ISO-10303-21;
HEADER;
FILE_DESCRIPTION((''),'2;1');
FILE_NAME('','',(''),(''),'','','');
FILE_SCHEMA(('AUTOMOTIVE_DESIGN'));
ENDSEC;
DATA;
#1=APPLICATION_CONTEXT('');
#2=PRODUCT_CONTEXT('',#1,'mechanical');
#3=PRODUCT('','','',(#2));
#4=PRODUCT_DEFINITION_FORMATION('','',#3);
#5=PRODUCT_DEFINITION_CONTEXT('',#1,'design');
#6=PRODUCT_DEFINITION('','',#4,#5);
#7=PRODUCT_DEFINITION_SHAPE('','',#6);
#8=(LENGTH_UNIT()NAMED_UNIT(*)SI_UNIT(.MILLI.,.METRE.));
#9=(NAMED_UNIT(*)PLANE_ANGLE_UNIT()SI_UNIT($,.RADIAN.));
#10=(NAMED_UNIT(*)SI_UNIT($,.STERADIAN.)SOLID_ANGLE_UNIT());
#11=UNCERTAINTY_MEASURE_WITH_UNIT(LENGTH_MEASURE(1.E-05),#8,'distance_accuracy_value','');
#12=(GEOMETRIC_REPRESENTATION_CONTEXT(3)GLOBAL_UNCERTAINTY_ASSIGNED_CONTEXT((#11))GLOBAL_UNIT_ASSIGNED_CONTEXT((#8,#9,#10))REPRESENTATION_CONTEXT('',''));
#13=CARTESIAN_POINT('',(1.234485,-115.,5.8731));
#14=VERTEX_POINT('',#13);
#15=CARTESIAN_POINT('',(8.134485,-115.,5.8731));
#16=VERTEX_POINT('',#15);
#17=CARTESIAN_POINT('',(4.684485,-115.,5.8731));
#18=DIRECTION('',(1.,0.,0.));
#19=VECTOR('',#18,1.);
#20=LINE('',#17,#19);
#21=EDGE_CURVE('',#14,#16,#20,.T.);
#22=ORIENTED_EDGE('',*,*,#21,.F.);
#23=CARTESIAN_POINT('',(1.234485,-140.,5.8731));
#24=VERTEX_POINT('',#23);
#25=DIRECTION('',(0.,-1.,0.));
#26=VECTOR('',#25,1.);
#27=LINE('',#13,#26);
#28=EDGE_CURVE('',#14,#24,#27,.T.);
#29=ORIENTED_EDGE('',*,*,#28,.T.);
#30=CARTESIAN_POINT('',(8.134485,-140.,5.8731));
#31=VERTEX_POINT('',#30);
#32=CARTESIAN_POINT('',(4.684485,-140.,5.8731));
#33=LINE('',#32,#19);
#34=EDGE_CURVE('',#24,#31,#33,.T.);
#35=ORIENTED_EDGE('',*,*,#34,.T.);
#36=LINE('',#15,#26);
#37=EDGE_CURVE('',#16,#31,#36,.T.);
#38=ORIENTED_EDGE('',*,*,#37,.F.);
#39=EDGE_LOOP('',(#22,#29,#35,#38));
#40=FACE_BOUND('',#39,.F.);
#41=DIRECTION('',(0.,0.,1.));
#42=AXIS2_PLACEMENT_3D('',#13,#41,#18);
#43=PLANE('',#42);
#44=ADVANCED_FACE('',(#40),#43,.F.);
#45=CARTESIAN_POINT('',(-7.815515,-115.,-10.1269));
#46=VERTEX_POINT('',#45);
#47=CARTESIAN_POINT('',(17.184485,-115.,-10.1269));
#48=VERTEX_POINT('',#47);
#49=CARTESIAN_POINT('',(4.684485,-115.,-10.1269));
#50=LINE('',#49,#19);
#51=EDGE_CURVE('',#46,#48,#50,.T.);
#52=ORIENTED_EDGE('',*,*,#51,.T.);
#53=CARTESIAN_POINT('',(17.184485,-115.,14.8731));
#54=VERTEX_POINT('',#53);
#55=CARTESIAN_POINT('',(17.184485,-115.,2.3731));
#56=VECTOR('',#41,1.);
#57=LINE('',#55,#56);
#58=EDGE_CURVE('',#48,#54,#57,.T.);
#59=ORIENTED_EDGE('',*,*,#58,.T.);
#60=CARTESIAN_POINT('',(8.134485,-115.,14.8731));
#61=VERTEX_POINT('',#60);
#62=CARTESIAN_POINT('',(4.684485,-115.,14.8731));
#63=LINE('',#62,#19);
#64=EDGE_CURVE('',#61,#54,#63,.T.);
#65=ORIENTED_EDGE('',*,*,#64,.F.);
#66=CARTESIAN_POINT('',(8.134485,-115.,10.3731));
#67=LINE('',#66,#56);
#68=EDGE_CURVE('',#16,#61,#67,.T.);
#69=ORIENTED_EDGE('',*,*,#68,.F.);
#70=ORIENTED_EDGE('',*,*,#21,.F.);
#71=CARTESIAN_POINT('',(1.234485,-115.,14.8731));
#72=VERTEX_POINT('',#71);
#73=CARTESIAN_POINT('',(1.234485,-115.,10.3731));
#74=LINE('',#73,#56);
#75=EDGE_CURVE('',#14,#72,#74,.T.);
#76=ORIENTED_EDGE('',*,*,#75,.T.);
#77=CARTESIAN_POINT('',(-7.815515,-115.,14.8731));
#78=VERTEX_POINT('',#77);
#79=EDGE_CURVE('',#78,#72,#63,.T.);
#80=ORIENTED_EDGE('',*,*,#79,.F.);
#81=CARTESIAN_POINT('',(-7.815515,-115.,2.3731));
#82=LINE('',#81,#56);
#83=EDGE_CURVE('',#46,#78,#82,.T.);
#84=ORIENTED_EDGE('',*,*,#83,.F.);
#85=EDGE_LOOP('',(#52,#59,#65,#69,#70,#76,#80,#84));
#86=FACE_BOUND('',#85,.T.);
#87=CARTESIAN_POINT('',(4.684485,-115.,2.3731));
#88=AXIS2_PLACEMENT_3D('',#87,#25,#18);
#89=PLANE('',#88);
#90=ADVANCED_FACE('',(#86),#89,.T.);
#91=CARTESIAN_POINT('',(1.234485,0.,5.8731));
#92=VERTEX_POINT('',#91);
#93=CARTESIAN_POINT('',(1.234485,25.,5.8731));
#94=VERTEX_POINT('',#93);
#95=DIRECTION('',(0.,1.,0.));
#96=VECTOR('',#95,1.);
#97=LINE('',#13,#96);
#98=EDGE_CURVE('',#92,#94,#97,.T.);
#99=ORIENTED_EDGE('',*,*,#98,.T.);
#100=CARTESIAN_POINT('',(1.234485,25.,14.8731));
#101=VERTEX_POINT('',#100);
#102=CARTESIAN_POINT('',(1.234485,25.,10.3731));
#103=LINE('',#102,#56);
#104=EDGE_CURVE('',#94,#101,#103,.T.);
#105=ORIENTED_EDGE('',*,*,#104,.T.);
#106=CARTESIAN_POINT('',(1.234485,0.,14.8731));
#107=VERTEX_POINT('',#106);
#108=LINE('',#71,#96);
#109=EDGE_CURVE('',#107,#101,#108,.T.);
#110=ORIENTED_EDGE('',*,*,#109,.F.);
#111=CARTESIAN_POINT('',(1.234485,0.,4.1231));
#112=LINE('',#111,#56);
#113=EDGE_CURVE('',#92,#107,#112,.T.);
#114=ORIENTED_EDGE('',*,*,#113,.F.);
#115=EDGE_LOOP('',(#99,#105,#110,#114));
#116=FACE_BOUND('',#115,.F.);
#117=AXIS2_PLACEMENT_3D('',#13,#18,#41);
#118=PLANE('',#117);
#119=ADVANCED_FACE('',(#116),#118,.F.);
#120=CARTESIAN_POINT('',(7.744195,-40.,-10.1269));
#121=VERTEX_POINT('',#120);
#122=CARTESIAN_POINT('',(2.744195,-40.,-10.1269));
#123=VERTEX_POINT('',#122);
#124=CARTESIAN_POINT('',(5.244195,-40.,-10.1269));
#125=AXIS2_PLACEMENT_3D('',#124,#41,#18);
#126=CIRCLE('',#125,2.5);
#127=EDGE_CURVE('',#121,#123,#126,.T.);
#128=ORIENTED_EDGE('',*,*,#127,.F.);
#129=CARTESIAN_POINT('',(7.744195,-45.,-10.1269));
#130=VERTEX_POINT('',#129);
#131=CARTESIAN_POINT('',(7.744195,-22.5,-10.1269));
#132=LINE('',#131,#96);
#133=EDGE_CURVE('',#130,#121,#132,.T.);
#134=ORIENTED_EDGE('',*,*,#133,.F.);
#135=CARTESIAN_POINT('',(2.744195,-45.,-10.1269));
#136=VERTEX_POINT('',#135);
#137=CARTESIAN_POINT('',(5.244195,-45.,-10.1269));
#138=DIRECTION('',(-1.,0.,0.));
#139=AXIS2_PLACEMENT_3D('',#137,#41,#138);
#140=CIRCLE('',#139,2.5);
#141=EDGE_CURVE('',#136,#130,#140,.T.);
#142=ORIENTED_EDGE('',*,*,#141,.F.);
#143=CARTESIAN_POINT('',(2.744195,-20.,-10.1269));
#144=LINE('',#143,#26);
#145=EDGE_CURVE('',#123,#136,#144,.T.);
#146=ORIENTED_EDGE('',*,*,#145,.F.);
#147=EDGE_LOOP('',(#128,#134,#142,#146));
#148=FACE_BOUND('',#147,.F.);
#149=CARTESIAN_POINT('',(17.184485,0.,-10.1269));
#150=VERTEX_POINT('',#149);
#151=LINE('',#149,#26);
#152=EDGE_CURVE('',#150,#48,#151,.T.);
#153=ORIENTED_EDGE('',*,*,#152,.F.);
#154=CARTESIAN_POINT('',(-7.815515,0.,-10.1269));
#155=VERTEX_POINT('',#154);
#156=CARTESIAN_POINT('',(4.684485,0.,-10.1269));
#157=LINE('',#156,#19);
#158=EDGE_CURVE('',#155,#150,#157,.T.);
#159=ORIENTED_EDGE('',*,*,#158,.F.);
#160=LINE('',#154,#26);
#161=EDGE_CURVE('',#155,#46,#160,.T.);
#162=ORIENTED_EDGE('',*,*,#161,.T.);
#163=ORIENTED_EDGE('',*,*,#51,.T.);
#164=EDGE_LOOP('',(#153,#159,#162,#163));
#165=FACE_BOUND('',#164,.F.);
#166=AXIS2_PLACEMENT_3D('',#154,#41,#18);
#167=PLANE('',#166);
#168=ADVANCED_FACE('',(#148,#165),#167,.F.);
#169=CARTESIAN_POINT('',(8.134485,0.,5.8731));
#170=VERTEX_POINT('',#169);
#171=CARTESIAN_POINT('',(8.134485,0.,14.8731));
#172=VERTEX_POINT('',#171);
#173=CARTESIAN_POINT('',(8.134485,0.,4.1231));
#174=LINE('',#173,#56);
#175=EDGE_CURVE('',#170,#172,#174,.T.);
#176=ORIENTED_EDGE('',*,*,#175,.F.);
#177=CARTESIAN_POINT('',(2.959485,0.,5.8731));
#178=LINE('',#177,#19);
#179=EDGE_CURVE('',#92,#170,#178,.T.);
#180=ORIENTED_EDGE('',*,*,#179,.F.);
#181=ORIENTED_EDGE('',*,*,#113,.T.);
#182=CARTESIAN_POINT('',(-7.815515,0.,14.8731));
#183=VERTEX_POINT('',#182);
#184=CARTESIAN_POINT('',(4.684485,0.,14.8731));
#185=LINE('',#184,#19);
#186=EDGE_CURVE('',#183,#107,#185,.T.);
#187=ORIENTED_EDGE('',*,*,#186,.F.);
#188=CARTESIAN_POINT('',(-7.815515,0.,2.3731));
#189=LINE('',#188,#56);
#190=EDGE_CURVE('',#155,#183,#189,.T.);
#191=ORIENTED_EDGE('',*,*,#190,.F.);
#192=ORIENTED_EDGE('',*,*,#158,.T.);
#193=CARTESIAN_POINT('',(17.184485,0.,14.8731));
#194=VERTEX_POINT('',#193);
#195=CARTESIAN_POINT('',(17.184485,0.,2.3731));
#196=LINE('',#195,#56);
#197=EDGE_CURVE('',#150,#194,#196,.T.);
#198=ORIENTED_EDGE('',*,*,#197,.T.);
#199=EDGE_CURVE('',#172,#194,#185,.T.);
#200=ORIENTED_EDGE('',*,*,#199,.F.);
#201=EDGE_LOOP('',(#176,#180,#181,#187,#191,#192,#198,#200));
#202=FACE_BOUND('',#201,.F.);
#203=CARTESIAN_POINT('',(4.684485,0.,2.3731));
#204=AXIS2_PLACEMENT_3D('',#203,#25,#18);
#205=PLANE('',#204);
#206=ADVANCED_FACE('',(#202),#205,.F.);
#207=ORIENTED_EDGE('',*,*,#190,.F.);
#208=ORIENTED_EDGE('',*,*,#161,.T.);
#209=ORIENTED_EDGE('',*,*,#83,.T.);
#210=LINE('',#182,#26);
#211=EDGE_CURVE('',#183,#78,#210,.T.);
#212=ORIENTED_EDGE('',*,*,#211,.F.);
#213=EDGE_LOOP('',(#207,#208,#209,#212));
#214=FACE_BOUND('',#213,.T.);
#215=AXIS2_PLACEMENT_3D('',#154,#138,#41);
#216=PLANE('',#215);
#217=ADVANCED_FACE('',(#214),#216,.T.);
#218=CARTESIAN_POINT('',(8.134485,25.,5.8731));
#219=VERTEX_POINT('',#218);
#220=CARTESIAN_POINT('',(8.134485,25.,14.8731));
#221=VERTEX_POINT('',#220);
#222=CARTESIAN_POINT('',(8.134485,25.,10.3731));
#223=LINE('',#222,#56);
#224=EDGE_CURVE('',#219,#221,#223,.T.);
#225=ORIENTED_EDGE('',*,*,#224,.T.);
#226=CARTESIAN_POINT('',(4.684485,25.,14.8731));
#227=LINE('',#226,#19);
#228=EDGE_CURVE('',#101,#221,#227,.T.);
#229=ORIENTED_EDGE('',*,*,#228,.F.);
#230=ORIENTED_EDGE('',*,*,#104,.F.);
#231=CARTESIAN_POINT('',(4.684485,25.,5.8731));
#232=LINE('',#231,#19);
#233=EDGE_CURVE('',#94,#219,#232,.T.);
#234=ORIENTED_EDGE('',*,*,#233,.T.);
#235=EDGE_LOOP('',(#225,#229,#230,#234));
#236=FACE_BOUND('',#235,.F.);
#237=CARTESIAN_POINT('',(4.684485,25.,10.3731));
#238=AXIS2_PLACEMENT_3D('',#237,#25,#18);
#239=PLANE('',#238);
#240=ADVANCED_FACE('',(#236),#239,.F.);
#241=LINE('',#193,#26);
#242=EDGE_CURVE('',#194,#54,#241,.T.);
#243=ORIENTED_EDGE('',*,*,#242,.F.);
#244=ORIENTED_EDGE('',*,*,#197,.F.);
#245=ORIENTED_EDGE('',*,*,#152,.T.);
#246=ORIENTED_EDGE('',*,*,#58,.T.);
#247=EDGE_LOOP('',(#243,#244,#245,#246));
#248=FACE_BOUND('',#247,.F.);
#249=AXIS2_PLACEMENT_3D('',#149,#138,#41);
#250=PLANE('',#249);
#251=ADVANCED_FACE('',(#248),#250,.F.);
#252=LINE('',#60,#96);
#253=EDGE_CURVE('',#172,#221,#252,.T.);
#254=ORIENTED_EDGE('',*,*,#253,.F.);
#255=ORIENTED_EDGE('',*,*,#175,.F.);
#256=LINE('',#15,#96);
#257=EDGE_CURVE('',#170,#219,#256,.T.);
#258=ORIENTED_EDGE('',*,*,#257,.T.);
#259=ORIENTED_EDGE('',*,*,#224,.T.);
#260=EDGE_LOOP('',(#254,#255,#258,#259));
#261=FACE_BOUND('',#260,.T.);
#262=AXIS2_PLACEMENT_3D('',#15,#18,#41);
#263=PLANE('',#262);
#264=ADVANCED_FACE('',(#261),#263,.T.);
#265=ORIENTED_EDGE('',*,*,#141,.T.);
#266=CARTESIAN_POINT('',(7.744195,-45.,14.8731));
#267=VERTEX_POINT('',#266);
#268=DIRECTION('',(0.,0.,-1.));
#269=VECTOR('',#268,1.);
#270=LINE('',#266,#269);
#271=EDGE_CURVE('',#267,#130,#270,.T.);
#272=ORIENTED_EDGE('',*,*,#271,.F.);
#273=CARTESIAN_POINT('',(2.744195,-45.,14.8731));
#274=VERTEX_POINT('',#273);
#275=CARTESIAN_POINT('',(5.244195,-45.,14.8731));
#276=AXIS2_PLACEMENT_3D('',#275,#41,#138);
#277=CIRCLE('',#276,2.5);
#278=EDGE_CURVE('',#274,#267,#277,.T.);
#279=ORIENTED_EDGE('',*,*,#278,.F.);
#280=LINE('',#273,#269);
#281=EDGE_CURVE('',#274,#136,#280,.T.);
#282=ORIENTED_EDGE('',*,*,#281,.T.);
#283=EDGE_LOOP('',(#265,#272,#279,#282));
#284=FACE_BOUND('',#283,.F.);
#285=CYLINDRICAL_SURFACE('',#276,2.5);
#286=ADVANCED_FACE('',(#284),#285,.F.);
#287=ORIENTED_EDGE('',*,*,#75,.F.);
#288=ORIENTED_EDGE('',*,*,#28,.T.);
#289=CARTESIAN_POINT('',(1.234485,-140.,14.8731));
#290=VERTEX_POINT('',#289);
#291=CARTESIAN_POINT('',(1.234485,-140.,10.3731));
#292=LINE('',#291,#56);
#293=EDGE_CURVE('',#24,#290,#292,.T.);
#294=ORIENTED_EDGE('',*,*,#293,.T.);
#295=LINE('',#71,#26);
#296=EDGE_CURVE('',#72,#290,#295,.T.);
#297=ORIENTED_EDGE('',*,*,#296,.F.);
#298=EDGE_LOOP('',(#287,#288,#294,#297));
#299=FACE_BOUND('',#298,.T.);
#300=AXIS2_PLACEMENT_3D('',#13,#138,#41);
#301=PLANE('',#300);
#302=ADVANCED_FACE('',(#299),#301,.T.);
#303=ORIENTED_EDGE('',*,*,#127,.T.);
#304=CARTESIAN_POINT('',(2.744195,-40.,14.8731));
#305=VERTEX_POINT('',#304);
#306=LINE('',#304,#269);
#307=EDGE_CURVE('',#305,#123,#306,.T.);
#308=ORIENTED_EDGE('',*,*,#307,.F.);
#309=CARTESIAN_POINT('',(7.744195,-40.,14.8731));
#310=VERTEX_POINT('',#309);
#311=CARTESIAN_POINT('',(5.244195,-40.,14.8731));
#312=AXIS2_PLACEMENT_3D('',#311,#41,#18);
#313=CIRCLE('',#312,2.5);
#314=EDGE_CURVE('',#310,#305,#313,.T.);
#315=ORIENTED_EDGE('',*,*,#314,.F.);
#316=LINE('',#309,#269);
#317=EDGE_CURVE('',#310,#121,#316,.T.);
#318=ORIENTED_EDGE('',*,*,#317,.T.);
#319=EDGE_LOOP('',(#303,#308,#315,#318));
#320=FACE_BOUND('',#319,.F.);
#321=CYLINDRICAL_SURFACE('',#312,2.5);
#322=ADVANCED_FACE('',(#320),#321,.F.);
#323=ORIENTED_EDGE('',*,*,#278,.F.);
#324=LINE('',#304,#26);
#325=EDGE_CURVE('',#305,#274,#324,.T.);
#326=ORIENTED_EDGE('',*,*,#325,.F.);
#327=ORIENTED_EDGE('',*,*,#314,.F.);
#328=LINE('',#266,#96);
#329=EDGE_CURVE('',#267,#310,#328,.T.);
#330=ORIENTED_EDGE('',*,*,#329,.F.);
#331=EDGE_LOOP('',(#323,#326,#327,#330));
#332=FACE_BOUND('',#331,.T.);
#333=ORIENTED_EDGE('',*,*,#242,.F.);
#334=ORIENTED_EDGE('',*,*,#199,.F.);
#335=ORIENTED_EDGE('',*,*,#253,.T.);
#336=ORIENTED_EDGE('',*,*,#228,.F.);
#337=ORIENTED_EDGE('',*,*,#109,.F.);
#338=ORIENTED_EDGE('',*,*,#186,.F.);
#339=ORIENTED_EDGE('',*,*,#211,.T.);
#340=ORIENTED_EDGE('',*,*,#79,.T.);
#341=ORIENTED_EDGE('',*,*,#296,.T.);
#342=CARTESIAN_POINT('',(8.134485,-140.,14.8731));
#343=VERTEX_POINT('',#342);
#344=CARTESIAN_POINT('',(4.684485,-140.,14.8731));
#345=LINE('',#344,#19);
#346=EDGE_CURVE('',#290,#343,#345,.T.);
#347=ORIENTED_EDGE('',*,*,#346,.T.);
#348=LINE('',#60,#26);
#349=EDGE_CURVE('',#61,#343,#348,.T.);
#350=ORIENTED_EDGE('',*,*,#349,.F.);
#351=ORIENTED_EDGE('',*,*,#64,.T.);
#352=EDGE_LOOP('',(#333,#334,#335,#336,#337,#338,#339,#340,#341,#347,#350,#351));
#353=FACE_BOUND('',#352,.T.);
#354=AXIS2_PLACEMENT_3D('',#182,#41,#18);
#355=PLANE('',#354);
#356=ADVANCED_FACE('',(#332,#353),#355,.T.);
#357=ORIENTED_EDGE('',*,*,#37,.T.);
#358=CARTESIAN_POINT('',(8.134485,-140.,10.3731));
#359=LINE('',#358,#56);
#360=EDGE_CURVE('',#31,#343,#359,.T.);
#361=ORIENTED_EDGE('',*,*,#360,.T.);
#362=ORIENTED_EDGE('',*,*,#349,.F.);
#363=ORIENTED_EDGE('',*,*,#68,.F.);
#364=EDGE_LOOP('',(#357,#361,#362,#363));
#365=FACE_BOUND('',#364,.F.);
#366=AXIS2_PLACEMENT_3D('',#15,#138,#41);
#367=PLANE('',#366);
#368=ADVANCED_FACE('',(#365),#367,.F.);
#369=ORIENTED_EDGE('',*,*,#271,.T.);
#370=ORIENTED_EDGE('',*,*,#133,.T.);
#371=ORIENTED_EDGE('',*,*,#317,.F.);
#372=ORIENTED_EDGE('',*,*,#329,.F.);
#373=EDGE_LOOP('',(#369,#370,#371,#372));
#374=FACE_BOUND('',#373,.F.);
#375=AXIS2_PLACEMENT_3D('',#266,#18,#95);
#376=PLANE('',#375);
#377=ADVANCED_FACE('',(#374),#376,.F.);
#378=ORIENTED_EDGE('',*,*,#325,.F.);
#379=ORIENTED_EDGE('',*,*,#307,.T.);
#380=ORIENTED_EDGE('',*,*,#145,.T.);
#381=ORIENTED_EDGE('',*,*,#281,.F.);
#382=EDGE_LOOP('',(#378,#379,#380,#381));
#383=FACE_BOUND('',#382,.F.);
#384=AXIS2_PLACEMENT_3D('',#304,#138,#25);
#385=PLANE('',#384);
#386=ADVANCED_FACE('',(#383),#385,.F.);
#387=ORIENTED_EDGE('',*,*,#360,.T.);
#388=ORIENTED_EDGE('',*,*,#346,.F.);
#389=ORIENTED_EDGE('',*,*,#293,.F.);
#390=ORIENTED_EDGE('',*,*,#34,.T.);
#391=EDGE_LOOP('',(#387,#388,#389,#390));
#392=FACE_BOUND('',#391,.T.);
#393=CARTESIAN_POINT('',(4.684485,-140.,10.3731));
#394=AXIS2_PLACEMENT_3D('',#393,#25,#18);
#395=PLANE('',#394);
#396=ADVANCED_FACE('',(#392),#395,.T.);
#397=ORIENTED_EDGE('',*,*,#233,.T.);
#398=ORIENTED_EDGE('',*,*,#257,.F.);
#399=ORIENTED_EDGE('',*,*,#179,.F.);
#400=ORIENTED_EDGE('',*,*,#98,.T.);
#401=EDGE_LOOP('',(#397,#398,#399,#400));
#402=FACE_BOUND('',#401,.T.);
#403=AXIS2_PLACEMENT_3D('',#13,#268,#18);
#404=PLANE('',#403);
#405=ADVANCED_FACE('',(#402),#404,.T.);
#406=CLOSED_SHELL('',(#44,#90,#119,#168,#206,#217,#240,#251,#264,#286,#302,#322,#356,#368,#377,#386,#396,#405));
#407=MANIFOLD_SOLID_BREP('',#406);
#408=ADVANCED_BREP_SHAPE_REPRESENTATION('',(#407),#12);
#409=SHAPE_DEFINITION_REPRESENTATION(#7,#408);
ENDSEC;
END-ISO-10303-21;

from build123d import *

# Parameters (mm, degrees)
F0_W          = 25
F0_H          = 25
F1_DEPTH      = 115
F2_W          = 6.9
F2_H          = 9
F3_DEPTH      = 25
F3_DEPTH_BACK = 140
F5_DEPTH      = 26


with BuildPart() as f1:
    # F0 (on Front) → F1 (new body)
    with BuildSketch(Plane.XZ):
        with Locations((4.684485, 2.3731)):
            Rectangle(F0_W, F0_H)
    extrude(amount=F1_DEPTH)

    # F2 (on face) → F3 (join, two sides)
    with BuildSketch(Plane.XZ.offset(115)) as f3_sk:
        with Locations((4.684485, 10.3731)):
            Rectangle(F2_W, F2_H)
    extrude(amount=F3_DEPTH)
    extrude(f3_sk.sketch, amount=-F3_DEPTH_BACK)

    # F4 (on face) → F5 (cut)
    with BuildSketch(Plane.XY.offset(14.8731)):
        with BuildLine():
            ThreePointArc((7.744195, -40), (5.244195, -37.5), (2.744195, -40))
            Line((2.744195, -40), (2.744195, -45))
            ThreePointArc((2.744195, -45), (5.244195, -47.5), (7.744195, -45))
            Line((7.744195, -45), (7.744195, -40))
        make_face()
    extrude(amount=-F5_DEPTH, mode=Mode.SUBTRACT)


solid = f1.part
